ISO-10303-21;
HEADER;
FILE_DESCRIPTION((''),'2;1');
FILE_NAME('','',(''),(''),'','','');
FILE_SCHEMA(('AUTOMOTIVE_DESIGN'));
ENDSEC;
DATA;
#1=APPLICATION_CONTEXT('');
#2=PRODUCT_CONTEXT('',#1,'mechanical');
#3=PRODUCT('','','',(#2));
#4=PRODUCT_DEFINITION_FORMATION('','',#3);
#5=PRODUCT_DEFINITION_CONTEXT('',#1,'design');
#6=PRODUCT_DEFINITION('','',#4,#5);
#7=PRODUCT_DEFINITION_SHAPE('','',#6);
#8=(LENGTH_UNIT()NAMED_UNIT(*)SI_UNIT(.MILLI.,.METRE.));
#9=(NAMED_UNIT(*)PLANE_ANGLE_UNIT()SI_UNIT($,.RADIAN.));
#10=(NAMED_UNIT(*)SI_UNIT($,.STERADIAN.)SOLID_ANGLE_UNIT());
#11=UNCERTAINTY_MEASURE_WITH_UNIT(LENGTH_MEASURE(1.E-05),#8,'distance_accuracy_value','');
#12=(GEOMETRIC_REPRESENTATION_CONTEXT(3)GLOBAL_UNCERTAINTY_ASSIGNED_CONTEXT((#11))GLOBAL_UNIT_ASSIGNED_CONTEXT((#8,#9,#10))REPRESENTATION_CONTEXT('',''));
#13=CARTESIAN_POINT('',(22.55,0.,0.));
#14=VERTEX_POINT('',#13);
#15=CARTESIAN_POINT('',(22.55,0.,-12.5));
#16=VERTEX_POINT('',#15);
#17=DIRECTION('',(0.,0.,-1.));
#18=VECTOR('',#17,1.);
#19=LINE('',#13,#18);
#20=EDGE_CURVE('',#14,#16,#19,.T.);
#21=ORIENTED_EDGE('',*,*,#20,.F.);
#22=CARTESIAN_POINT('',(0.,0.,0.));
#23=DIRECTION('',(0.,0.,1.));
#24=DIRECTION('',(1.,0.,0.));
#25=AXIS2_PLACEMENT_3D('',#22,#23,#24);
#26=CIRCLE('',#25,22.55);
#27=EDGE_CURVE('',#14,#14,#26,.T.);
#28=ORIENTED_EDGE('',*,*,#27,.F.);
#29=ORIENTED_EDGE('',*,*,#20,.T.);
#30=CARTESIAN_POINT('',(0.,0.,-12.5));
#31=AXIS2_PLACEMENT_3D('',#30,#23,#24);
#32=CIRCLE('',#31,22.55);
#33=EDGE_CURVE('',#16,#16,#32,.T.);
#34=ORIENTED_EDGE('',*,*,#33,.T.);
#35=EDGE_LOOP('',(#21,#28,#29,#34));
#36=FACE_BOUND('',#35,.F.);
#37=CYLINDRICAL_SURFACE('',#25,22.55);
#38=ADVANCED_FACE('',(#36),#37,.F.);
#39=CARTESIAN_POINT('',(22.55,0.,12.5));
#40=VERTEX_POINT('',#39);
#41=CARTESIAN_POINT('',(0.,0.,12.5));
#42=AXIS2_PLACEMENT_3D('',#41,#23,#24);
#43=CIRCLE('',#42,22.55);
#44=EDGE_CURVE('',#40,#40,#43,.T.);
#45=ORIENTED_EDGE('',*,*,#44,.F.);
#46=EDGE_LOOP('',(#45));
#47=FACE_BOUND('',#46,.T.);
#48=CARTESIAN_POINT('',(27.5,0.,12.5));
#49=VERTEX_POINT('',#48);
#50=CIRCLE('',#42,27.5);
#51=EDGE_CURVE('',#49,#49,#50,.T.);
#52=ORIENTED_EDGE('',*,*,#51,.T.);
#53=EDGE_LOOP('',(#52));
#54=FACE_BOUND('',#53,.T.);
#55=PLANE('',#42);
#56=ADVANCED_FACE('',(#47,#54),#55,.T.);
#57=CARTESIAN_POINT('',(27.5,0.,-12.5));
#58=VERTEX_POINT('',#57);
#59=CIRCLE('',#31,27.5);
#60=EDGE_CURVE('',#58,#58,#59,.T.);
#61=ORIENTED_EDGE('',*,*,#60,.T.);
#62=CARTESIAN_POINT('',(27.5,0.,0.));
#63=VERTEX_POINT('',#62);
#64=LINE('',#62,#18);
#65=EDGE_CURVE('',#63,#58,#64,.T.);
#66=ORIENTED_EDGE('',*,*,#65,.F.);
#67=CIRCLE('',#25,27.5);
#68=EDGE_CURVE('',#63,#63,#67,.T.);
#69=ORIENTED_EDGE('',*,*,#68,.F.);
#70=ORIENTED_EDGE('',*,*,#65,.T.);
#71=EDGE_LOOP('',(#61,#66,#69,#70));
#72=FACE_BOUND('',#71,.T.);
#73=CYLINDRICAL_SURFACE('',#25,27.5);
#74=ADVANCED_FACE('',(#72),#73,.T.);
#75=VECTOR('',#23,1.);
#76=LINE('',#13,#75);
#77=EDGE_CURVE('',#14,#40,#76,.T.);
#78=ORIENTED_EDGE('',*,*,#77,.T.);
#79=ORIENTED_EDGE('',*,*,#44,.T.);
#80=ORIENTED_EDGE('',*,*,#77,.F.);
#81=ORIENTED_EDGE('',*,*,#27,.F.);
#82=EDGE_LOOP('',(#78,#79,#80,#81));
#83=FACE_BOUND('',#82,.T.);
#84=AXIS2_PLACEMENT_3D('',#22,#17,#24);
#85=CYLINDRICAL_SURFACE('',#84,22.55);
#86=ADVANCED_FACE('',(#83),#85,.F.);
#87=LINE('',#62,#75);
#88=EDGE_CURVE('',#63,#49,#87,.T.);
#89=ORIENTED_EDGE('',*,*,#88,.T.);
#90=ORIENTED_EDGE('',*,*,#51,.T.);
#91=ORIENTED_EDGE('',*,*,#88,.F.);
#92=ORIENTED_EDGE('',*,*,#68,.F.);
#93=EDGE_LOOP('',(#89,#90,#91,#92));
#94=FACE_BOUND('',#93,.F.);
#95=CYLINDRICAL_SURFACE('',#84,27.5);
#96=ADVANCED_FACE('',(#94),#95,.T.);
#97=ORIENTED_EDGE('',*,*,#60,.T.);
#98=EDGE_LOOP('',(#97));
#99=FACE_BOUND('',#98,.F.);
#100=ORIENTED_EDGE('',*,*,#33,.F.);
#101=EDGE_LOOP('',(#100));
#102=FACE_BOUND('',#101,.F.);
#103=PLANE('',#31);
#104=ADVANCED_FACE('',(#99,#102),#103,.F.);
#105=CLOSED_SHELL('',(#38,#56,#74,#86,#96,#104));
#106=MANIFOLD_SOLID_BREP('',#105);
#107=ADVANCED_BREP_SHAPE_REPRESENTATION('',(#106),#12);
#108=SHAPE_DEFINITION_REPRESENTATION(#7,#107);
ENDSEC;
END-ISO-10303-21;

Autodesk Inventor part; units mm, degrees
ref_plane "YZ Plane" through (0, 0, 0) normal (1, 0, 0) x (0, 1, 0)
ref_plane "XZ Plane" through (0, 0, 0) normal (0, 1, 0) x (-1, 0, 0)
ref_plane "XY Plane" through (0, 0, 0) normal (0, 0, 1) x (1, 0, 0)
sketch "스케치9" plane through (0, 0, 0) normal (0, 0, 1) x (1, 0, 0)
  circle A0 centre (0, 0) radius 22.55
  circle A1 centre (0, 0) radius 27.5
  dimension "d40" = 45.1
  dimension "d41" = 55
extrude "돌출4" add sketch "스케치9" along normal mid plane 25
properties part number "TL20240701-10110CV-017" material "S45C"
